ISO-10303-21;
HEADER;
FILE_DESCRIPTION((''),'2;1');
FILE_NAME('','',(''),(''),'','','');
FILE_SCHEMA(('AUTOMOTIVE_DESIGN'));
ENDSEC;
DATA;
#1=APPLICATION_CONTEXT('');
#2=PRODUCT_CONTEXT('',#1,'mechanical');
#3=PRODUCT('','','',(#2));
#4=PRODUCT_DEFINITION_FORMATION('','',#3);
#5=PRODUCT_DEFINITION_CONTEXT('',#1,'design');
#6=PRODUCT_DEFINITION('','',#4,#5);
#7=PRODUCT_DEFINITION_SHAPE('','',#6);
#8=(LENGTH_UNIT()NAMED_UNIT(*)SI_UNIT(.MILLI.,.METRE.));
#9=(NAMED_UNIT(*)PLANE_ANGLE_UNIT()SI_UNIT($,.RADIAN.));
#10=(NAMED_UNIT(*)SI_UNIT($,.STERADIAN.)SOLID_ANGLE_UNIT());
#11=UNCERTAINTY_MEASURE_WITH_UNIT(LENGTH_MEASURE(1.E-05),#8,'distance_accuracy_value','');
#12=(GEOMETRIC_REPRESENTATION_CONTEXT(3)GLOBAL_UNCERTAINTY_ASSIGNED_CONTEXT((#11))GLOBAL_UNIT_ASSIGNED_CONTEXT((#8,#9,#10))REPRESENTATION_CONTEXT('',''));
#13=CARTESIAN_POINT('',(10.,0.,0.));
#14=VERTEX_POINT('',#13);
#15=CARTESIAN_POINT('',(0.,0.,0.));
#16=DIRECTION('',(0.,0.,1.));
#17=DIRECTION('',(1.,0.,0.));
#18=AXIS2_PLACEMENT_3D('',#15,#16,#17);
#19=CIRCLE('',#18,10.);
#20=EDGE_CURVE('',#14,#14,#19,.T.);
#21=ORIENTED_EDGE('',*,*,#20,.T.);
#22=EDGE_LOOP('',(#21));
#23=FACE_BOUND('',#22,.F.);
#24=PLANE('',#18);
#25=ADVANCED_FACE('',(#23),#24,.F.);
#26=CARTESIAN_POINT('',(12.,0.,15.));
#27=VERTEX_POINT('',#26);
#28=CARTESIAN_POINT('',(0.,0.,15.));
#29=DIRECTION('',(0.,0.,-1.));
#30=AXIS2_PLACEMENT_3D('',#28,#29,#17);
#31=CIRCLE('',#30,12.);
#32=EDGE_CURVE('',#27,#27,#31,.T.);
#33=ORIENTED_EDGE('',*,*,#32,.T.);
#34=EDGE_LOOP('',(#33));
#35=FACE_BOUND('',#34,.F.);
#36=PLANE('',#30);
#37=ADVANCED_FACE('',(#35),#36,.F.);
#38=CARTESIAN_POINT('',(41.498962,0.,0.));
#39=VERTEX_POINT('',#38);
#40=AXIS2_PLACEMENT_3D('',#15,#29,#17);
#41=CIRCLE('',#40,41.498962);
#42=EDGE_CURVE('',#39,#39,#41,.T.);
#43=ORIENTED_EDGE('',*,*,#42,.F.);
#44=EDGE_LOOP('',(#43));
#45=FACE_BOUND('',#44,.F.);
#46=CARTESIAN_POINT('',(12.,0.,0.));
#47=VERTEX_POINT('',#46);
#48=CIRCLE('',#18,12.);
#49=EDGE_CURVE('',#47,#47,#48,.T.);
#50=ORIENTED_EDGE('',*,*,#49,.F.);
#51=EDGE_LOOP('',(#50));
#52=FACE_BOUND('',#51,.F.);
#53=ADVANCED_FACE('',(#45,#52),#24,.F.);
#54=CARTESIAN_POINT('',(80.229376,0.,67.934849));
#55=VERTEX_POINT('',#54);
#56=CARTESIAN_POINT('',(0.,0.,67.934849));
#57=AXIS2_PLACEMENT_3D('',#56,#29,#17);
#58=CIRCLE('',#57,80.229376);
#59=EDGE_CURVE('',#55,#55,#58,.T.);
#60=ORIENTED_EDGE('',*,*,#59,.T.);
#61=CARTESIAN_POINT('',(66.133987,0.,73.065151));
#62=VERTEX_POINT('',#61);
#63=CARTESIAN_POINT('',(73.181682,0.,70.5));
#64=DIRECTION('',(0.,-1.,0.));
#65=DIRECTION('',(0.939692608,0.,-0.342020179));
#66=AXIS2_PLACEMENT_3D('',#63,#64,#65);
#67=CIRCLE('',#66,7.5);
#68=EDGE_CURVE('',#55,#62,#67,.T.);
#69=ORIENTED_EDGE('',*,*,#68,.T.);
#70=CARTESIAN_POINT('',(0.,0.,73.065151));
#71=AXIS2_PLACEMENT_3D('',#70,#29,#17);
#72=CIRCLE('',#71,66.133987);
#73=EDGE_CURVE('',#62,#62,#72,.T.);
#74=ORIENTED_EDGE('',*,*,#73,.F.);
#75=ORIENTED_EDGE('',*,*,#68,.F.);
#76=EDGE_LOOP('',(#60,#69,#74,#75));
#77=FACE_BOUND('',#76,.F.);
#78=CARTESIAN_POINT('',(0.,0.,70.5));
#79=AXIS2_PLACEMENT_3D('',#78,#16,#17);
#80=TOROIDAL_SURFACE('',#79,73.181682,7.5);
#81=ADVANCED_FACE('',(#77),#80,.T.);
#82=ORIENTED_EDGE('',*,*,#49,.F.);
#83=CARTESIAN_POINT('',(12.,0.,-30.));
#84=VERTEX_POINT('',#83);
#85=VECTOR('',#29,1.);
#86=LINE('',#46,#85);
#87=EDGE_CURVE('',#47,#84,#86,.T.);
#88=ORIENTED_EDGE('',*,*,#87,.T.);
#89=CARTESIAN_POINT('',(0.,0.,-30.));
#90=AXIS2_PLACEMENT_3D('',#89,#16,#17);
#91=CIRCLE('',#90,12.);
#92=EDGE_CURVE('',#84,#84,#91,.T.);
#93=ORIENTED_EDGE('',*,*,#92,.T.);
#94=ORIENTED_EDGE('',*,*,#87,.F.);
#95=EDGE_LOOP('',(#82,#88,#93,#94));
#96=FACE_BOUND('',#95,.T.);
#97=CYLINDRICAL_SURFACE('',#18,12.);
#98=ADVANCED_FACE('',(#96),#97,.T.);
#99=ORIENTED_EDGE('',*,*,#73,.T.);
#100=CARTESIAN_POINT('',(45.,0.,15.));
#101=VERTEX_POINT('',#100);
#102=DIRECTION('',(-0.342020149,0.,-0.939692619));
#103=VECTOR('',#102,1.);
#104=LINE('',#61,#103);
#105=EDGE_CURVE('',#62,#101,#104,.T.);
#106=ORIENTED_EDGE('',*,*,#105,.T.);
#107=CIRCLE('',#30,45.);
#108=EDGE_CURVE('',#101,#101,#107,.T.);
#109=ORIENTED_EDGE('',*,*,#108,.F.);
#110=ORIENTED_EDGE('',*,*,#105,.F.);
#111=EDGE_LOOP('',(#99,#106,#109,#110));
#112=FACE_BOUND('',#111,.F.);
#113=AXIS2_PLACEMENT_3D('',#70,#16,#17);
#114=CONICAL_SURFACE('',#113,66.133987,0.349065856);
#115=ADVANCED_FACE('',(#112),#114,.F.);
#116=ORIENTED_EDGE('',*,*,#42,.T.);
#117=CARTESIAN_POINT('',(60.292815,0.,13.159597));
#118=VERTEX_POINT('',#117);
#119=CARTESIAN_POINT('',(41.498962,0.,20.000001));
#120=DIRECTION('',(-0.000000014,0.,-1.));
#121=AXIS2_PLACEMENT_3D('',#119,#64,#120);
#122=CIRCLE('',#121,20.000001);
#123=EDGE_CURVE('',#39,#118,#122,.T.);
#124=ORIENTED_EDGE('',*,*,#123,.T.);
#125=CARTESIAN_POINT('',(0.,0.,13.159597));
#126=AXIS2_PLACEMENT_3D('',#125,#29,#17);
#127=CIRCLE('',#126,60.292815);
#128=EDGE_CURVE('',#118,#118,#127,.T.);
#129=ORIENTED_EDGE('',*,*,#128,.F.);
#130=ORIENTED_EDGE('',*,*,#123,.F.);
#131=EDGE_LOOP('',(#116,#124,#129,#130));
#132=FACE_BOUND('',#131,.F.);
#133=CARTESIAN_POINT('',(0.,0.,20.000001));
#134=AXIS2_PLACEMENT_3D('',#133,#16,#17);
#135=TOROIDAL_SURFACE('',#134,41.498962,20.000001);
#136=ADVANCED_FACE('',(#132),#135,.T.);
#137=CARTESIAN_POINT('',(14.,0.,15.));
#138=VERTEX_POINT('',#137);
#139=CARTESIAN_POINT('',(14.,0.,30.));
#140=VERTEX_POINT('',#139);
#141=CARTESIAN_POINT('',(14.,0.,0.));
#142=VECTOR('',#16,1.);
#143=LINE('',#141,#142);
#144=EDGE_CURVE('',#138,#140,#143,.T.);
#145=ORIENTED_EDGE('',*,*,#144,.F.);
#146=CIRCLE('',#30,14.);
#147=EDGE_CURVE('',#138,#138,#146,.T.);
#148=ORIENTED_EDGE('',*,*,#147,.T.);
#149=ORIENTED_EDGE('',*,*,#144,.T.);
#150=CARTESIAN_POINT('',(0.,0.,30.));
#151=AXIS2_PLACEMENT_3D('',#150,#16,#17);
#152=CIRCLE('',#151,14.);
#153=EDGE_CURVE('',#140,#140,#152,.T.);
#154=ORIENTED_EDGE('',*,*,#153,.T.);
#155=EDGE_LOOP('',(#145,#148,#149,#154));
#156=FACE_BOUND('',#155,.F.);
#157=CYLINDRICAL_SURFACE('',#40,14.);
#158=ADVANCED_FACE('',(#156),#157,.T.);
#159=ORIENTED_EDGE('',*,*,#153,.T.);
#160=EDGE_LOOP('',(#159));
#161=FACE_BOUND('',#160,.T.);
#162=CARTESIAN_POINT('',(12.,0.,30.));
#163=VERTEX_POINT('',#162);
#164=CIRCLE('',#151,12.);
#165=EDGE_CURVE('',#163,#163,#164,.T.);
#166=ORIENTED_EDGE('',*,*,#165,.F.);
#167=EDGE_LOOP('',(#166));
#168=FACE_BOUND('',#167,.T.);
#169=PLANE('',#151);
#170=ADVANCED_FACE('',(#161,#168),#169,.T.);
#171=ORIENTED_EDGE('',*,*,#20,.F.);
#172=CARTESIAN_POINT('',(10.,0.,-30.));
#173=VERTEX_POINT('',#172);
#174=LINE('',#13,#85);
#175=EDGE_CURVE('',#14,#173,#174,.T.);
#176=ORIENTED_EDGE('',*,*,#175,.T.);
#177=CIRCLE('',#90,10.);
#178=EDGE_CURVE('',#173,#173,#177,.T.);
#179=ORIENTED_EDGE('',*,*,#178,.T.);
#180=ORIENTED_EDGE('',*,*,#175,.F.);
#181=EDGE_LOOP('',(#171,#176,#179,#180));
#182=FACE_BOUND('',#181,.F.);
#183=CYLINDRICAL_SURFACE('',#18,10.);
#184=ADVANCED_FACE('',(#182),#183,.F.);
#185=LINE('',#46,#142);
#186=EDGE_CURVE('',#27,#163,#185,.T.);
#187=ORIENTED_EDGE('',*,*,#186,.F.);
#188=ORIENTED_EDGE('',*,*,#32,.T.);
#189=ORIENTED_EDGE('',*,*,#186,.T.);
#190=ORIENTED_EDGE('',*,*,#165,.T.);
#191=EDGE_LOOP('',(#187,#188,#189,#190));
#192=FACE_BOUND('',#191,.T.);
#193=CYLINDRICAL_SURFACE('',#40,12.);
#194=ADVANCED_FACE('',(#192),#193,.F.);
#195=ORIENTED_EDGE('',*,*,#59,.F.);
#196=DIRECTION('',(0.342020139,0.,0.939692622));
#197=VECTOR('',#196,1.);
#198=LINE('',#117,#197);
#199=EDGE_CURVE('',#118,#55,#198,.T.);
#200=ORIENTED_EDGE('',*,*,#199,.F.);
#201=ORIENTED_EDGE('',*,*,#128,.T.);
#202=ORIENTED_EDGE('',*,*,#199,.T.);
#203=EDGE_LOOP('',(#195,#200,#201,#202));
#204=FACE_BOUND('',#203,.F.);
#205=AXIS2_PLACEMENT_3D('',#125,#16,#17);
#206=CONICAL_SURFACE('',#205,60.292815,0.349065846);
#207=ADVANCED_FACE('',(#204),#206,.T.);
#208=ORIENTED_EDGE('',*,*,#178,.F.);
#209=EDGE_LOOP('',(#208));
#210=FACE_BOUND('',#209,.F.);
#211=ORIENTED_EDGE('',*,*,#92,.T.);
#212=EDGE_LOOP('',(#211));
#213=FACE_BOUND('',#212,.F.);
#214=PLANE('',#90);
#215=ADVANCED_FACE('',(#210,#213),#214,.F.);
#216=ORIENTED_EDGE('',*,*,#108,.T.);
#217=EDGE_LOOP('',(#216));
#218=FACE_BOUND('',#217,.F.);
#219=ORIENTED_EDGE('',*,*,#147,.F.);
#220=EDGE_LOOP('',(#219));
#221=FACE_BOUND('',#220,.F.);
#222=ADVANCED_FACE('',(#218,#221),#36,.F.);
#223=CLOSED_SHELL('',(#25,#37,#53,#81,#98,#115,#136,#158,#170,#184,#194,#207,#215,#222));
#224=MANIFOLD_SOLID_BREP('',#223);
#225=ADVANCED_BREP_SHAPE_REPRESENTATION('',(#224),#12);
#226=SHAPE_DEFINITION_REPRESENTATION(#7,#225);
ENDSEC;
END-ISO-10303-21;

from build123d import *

# Parameters (mm, degrees)
F2_R     = 14
F2_R_2   = 12
F3_DEPTH = 30
F2_R_3   = 10
F4_DEPTH = 30


with BuildPart() as f1:
    # F0 (on Front) → F1 (revolve)
    with BuildSketch(Plane.XZ):
        with BuildLine():
            Line((0, 15), (0, 0))
            Line((0, 0), (41.498962, 0))
            ThreePointArc((41.498962, 0), (52.970491, 3.616959), (60.292815, 13.159597))
            Line((60.292815, 13.159597), (80.229376, 67.934849))
            ThreePointArc((80.229376, 67.934849), (75.746832, 77.547695), (66.133987, 73.065151))
            Line((66.133987, 73.065151), (45, 15))
            Line((45, 15), (0, 15))
        make_face()
    revolve(axis=Axis((0, 0, 7.5), (0, 0, -1)))

    # F2 (on Top) → F3 (join)
    with BuildSketch(Plane.XY):
        Circle(F2_R)
        Circle(F2_R_2, mode=Mode.SUBTRACT)
    extrude(amount=F3_DEPTH)

    # F2 (on Top) → F4 (join)
    with BuildSketch(Plane.XY):
        Circle(F2_R_2)
        Circle(F2_R_3, mode=Mode.SUBTRACT)
    extrude(amount=-F4_DEPTH)


solid = f1.part
